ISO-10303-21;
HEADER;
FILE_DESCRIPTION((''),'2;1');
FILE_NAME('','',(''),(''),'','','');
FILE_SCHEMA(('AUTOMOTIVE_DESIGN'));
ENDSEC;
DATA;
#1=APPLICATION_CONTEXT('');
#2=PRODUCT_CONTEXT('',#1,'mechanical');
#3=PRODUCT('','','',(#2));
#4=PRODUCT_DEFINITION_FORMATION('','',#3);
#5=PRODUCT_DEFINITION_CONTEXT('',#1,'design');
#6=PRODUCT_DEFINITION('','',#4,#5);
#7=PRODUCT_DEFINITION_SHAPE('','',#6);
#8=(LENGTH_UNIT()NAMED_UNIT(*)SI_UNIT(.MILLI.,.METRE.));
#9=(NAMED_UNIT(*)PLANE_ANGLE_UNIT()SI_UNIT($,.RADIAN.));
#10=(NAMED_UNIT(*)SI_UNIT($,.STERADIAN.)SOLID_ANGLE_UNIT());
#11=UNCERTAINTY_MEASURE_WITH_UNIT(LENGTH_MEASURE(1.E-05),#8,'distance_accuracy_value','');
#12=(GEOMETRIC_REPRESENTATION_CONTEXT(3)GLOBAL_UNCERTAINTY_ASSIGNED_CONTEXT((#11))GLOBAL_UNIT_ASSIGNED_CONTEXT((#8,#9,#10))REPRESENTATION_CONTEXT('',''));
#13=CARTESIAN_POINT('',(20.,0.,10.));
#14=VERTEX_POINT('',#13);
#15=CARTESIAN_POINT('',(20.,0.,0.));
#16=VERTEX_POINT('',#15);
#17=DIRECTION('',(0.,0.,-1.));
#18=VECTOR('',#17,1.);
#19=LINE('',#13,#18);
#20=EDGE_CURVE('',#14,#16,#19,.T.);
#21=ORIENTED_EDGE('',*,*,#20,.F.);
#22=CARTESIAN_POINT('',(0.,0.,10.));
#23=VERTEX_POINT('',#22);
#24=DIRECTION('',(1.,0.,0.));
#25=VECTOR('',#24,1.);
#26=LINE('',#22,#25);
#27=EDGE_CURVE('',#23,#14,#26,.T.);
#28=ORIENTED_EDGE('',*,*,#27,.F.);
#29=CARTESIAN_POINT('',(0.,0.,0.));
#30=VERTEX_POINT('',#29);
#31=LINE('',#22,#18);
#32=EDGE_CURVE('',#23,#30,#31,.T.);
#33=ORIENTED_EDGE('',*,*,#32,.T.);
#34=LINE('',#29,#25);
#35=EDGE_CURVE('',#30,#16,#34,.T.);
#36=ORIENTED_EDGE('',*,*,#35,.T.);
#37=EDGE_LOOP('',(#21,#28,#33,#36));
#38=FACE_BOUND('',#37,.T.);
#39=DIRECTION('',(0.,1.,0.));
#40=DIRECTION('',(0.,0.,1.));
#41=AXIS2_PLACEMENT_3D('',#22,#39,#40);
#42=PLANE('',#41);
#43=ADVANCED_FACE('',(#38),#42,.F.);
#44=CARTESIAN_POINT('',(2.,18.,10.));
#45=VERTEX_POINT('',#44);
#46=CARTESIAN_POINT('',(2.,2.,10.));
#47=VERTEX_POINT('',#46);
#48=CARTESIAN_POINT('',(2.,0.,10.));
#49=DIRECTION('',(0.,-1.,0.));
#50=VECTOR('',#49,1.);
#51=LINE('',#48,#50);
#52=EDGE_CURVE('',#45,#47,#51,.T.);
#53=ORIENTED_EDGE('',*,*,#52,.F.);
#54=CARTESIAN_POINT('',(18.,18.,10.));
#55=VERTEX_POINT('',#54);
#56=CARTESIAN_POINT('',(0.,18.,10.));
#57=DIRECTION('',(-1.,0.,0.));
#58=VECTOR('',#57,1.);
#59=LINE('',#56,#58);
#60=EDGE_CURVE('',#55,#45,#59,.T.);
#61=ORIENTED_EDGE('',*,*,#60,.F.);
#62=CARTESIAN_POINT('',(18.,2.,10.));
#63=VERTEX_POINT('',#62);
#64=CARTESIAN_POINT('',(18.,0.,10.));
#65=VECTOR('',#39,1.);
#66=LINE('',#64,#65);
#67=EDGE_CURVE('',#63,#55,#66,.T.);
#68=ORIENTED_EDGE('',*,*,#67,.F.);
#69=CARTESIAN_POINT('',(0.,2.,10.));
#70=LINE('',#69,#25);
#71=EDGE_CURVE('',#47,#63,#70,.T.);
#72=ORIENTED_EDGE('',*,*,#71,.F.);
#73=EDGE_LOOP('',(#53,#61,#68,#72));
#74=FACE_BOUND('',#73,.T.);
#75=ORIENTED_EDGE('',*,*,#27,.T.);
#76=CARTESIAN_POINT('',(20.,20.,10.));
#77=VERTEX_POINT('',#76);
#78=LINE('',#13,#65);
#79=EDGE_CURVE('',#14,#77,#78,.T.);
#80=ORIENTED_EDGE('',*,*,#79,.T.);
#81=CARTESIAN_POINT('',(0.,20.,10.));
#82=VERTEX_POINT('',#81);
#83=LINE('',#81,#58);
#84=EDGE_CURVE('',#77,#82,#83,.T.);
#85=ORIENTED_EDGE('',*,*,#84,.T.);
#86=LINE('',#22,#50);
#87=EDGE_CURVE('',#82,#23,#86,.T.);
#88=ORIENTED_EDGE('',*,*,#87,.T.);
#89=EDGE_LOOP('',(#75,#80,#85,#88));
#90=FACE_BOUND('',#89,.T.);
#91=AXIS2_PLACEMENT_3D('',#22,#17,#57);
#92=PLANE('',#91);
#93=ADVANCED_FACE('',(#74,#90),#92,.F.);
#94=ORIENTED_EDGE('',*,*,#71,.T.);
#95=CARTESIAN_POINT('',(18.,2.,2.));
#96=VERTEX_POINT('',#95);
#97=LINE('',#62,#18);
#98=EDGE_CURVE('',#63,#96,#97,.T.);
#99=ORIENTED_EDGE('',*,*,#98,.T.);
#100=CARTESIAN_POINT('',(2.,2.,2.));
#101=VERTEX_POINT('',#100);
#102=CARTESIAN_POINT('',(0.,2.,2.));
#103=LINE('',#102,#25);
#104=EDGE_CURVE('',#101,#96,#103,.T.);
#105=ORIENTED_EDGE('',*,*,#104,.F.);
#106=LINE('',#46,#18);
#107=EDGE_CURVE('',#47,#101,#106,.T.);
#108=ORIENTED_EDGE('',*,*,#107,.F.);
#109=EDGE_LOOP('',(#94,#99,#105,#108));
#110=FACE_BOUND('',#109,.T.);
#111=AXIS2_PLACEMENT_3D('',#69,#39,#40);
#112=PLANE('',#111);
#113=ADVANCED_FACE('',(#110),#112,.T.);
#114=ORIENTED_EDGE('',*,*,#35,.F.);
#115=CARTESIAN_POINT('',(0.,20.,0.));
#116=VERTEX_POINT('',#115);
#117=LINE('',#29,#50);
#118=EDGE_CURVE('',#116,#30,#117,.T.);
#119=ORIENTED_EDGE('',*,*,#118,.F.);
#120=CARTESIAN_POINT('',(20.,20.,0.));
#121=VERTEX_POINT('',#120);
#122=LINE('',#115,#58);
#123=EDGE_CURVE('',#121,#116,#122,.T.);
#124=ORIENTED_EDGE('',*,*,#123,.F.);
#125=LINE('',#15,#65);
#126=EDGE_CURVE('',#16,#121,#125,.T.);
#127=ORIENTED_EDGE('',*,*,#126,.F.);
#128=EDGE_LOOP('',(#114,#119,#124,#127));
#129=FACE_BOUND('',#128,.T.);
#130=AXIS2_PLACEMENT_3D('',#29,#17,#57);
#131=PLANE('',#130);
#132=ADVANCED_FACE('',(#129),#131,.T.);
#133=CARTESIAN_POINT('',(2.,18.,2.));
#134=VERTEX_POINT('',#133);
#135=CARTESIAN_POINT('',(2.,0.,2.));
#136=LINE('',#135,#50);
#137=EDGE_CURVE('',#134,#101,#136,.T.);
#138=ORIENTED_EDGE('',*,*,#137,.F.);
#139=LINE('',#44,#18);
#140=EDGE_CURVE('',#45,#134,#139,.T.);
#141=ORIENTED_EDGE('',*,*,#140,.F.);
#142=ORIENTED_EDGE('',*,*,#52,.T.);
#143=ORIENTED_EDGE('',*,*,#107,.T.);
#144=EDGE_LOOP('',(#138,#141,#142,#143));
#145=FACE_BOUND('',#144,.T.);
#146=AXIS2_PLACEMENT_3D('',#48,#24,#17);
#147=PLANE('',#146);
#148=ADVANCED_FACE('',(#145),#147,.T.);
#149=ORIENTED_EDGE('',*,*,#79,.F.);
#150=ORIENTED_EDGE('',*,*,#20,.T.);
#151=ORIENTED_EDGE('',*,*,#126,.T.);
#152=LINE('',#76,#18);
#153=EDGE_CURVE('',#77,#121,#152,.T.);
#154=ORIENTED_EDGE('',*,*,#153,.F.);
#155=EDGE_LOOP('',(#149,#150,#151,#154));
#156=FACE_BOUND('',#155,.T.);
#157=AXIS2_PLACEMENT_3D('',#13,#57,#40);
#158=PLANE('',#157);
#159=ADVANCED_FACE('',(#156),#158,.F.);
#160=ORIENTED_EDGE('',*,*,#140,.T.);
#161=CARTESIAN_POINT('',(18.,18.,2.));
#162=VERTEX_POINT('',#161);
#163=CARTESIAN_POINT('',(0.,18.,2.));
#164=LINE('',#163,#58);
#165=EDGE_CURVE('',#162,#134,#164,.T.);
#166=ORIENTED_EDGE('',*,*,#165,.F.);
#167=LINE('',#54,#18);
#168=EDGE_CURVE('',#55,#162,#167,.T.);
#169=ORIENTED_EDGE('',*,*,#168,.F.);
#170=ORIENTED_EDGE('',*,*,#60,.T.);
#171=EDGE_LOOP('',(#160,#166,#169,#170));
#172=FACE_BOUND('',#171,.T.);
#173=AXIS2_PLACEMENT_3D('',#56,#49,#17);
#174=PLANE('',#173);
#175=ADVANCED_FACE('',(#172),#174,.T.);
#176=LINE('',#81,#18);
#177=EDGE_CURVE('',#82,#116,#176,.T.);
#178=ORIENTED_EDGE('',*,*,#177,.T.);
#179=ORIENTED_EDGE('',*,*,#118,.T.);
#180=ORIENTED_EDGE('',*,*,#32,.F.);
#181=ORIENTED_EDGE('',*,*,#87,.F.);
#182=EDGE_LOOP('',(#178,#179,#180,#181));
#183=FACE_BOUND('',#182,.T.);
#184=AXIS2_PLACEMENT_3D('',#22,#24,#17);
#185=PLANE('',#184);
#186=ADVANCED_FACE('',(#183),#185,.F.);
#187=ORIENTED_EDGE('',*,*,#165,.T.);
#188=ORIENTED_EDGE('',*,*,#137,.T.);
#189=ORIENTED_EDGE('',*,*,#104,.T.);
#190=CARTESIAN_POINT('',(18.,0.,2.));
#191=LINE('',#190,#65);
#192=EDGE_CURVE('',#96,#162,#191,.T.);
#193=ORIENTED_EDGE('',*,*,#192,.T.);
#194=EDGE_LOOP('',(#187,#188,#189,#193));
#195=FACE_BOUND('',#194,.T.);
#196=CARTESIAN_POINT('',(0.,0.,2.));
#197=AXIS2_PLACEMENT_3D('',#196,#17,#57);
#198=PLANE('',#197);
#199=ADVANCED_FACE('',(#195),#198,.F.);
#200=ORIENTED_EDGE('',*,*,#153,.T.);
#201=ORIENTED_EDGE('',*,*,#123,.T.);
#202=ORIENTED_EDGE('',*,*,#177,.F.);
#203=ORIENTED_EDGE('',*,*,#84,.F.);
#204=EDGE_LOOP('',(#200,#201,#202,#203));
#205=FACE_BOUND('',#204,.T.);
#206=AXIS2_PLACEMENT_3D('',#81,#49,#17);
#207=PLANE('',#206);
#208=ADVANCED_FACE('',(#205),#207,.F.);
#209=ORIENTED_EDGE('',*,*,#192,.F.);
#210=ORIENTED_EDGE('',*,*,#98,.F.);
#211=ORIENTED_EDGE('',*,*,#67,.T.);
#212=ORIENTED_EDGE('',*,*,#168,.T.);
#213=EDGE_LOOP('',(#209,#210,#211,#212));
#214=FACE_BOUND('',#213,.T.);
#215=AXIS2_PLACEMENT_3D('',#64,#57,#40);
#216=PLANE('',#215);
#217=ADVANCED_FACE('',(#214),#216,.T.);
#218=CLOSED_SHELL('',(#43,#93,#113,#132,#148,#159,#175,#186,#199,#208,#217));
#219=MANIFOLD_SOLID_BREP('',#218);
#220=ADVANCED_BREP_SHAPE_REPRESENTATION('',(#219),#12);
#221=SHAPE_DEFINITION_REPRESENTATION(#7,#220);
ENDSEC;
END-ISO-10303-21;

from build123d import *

# Parameters (mm, degrees)
SKETCH_1_W    = 20
SKETCH_1_H    = 20
BASEBOX_DEPTH = 10
SHELL_T       = -2


with BuildPart() as part:
    # 草图1 → BaseBox (new body)
    with BuildSketch(Plane.XY):
        with Locations((10, 10)):
            Rectangle(SKETCH_1_W, SKETCH_1_H)
    extrude(amount=BASEBOX_DEPTH)

    # Shell
    shell_openings = [part.faces().sort_by_distance(p)[0] for p in [
        (10, 10, 10),
    ]]
    offset(amount=SHELL_T, openings=shell_openings, kind=Kind.INTERSECTION)


solid = part.part
